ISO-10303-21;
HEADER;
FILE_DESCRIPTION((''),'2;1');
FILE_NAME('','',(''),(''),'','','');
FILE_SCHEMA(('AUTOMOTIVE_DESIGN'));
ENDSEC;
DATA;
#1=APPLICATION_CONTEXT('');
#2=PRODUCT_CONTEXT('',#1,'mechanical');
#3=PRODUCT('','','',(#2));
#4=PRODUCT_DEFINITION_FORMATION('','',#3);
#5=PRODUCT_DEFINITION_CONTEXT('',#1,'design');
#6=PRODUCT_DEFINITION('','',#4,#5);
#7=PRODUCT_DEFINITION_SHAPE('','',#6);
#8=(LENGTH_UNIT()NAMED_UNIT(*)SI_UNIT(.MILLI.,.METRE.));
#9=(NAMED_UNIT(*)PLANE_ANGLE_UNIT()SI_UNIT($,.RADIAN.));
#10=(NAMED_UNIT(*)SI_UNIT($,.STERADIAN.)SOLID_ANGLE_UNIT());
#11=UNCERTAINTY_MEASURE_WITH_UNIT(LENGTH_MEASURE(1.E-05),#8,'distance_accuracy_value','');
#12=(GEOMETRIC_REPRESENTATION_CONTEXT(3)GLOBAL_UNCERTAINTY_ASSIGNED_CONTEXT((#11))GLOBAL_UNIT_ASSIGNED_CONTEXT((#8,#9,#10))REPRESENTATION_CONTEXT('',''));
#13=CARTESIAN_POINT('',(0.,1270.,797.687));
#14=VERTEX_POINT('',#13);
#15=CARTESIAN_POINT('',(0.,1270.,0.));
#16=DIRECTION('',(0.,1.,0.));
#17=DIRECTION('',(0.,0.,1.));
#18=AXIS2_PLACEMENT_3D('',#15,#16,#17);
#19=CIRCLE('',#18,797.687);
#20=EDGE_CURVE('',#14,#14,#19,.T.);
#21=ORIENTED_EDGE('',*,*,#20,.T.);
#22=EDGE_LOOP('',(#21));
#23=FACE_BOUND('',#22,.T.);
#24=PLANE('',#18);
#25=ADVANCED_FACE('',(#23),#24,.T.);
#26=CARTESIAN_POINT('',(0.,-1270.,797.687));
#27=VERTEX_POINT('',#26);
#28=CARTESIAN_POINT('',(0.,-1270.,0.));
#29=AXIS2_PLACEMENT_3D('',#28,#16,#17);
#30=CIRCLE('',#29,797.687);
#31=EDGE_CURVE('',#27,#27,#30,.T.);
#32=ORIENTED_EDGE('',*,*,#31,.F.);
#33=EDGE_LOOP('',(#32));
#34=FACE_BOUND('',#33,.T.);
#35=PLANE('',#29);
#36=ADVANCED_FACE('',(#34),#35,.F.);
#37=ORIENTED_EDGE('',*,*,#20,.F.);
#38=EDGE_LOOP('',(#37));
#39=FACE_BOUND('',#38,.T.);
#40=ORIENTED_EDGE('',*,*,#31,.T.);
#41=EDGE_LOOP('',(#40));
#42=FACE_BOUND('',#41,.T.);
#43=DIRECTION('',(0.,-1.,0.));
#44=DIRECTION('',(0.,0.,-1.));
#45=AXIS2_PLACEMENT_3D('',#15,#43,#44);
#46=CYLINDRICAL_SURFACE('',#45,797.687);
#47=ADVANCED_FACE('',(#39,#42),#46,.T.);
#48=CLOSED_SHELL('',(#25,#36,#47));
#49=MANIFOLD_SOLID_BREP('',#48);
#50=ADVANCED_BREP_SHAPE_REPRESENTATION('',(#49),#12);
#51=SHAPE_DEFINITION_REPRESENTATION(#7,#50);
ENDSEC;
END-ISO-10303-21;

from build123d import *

# Parameters (mm, degrees)
SKETCH1_R      = 797.687
EXTRUDE1_DEPTH = 1270


with BuildPart() as part:
    # Sketch1 → Extrude1 (new body, symmetric)
    with BuildSketch(Plane(origin=(0, 0, 0), x_dir=(1, 0, 0), z_dir=(0, 1, 0))):
        with Locations(Location((0, 0, 0), (0, 0, 270))):  # turned: the seam where the file's is
            Circle(SKETCH1_R)
    extrude(amount=EXTRUDE1_DEPTH, both=True)


solid = part.part
